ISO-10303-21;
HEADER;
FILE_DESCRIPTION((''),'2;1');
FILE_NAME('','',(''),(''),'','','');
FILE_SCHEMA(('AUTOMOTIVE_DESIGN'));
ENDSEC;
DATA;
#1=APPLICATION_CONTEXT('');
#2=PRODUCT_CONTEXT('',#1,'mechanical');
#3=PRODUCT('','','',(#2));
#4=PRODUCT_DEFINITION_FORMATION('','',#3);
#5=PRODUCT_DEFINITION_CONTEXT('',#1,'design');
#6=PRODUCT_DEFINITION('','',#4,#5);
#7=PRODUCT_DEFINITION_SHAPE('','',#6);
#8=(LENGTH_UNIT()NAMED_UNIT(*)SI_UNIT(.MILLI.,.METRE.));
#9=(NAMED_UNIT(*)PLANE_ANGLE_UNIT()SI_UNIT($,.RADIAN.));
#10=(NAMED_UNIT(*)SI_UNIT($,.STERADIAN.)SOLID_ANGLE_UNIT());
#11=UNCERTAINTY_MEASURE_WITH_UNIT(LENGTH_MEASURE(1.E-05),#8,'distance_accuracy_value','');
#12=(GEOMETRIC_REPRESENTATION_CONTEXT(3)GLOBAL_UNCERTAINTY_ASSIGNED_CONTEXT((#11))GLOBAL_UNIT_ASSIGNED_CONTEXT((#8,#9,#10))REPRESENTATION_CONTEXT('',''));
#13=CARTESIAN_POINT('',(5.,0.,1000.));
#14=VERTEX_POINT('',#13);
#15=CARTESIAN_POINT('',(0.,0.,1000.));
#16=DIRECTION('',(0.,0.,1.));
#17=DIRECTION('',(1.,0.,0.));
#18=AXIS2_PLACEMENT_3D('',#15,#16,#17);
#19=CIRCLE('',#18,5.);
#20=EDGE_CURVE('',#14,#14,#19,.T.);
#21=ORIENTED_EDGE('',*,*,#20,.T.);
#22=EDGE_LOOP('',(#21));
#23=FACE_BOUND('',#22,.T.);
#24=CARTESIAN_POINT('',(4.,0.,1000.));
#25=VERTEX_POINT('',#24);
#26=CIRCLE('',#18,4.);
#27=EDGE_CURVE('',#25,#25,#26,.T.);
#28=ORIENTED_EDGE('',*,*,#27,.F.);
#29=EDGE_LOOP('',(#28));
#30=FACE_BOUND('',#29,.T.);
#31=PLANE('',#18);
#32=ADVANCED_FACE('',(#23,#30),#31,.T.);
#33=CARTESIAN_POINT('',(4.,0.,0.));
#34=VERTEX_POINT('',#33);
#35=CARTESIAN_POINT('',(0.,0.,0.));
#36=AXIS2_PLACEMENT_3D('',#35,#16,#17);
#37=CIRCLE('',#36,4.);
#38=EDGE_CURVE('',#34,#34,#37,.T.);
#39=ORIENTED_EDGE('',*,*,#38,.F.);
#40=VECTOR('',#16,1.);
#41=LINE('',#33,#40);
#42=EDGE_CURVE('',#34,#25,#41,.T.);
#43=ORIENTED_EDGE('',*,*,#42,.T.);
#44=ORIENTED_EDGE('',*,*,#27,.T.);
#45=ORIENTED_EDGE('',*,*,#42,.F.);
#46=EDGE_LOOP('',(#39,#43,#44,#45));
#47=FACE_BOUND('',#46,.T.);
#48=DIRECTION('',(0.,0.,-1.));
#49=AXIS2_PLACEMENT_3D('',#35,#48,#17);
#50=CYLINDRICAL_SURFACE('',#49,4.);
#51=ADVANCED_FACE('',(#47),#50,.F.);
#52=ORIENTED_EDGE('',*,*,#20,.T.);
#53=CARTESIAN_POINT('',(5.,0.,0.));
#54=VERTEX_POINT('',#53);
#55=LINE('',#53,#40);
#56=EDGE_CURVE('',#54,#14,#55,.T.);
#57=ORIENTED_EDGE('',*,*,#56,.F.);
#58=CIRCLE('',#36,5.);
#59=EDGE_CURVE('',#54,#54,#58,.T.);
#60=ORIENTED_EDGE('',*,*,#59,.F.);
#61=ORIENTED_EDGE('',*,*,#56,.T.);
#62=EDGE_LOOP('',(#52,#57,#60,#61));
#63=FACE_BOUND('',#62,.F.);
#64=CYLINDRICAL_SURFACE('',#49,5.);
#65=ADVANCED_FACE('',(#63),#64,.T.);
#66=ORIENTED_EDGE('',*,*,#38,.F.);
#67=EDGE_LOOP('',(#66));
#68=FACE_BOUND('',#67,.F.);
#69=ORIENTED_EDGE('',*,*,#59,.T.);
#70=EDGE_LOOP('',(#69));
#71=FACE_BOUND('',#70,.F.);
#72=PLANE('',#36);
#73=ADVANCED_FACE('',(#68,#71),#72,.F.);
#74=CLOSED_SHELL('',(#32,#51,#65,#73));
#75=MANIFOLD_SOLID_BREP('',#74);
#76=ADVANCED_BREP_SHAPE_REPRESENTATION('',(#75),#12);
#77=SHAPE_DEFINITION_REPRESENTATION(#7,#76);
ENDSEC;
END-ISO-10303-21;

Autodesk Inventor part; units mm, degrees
ref_plane "YZ Plane" through (0, 0, 0) normal (1, 0, 0) x (0, 1, 0)
ref_plane "XZ Plane" through (0, 0, 0) normal (0, 1, 0) x (-1, 0, 0)
ref_plane "XY Plane" through (0, 0, 0) normal (0, 0, 1) x (1, 0, 0)
sketch "Sketch1" plane through (0, 0, 0) normal (0, 0, 1) x (1, 0, 0)
  circle A0 centre (0, 0) radius 5
  circle A1 centre (0, 0) radius 4
  dimension "d0" = 10
  dimension "d1" = 8
extrude "Extrusion1" add sketch "Sketch1" along normal blind 1000
ref_plane "Work Plane1" through (0, 0, 500) normal (0, 0, 1) x (1, 0, 0)
ref_plane "Work Plane2" through (0, 0, 540) normal (0, 0, 1) x (1, 0, 0)
ref_plane "Work Plane3" through (0, 0, 460) normal (0, 0, 1) x (1, 0, 0)
sketch "Sketch2" plane through (0, 0, 540) normal (0, 0, 1) x (1, 0, 0)
  circle A0 centre (0, 0) radius 4 projected
  circle A1 centre (0, 0) radius 5 projected
properties part number "wingspar"
